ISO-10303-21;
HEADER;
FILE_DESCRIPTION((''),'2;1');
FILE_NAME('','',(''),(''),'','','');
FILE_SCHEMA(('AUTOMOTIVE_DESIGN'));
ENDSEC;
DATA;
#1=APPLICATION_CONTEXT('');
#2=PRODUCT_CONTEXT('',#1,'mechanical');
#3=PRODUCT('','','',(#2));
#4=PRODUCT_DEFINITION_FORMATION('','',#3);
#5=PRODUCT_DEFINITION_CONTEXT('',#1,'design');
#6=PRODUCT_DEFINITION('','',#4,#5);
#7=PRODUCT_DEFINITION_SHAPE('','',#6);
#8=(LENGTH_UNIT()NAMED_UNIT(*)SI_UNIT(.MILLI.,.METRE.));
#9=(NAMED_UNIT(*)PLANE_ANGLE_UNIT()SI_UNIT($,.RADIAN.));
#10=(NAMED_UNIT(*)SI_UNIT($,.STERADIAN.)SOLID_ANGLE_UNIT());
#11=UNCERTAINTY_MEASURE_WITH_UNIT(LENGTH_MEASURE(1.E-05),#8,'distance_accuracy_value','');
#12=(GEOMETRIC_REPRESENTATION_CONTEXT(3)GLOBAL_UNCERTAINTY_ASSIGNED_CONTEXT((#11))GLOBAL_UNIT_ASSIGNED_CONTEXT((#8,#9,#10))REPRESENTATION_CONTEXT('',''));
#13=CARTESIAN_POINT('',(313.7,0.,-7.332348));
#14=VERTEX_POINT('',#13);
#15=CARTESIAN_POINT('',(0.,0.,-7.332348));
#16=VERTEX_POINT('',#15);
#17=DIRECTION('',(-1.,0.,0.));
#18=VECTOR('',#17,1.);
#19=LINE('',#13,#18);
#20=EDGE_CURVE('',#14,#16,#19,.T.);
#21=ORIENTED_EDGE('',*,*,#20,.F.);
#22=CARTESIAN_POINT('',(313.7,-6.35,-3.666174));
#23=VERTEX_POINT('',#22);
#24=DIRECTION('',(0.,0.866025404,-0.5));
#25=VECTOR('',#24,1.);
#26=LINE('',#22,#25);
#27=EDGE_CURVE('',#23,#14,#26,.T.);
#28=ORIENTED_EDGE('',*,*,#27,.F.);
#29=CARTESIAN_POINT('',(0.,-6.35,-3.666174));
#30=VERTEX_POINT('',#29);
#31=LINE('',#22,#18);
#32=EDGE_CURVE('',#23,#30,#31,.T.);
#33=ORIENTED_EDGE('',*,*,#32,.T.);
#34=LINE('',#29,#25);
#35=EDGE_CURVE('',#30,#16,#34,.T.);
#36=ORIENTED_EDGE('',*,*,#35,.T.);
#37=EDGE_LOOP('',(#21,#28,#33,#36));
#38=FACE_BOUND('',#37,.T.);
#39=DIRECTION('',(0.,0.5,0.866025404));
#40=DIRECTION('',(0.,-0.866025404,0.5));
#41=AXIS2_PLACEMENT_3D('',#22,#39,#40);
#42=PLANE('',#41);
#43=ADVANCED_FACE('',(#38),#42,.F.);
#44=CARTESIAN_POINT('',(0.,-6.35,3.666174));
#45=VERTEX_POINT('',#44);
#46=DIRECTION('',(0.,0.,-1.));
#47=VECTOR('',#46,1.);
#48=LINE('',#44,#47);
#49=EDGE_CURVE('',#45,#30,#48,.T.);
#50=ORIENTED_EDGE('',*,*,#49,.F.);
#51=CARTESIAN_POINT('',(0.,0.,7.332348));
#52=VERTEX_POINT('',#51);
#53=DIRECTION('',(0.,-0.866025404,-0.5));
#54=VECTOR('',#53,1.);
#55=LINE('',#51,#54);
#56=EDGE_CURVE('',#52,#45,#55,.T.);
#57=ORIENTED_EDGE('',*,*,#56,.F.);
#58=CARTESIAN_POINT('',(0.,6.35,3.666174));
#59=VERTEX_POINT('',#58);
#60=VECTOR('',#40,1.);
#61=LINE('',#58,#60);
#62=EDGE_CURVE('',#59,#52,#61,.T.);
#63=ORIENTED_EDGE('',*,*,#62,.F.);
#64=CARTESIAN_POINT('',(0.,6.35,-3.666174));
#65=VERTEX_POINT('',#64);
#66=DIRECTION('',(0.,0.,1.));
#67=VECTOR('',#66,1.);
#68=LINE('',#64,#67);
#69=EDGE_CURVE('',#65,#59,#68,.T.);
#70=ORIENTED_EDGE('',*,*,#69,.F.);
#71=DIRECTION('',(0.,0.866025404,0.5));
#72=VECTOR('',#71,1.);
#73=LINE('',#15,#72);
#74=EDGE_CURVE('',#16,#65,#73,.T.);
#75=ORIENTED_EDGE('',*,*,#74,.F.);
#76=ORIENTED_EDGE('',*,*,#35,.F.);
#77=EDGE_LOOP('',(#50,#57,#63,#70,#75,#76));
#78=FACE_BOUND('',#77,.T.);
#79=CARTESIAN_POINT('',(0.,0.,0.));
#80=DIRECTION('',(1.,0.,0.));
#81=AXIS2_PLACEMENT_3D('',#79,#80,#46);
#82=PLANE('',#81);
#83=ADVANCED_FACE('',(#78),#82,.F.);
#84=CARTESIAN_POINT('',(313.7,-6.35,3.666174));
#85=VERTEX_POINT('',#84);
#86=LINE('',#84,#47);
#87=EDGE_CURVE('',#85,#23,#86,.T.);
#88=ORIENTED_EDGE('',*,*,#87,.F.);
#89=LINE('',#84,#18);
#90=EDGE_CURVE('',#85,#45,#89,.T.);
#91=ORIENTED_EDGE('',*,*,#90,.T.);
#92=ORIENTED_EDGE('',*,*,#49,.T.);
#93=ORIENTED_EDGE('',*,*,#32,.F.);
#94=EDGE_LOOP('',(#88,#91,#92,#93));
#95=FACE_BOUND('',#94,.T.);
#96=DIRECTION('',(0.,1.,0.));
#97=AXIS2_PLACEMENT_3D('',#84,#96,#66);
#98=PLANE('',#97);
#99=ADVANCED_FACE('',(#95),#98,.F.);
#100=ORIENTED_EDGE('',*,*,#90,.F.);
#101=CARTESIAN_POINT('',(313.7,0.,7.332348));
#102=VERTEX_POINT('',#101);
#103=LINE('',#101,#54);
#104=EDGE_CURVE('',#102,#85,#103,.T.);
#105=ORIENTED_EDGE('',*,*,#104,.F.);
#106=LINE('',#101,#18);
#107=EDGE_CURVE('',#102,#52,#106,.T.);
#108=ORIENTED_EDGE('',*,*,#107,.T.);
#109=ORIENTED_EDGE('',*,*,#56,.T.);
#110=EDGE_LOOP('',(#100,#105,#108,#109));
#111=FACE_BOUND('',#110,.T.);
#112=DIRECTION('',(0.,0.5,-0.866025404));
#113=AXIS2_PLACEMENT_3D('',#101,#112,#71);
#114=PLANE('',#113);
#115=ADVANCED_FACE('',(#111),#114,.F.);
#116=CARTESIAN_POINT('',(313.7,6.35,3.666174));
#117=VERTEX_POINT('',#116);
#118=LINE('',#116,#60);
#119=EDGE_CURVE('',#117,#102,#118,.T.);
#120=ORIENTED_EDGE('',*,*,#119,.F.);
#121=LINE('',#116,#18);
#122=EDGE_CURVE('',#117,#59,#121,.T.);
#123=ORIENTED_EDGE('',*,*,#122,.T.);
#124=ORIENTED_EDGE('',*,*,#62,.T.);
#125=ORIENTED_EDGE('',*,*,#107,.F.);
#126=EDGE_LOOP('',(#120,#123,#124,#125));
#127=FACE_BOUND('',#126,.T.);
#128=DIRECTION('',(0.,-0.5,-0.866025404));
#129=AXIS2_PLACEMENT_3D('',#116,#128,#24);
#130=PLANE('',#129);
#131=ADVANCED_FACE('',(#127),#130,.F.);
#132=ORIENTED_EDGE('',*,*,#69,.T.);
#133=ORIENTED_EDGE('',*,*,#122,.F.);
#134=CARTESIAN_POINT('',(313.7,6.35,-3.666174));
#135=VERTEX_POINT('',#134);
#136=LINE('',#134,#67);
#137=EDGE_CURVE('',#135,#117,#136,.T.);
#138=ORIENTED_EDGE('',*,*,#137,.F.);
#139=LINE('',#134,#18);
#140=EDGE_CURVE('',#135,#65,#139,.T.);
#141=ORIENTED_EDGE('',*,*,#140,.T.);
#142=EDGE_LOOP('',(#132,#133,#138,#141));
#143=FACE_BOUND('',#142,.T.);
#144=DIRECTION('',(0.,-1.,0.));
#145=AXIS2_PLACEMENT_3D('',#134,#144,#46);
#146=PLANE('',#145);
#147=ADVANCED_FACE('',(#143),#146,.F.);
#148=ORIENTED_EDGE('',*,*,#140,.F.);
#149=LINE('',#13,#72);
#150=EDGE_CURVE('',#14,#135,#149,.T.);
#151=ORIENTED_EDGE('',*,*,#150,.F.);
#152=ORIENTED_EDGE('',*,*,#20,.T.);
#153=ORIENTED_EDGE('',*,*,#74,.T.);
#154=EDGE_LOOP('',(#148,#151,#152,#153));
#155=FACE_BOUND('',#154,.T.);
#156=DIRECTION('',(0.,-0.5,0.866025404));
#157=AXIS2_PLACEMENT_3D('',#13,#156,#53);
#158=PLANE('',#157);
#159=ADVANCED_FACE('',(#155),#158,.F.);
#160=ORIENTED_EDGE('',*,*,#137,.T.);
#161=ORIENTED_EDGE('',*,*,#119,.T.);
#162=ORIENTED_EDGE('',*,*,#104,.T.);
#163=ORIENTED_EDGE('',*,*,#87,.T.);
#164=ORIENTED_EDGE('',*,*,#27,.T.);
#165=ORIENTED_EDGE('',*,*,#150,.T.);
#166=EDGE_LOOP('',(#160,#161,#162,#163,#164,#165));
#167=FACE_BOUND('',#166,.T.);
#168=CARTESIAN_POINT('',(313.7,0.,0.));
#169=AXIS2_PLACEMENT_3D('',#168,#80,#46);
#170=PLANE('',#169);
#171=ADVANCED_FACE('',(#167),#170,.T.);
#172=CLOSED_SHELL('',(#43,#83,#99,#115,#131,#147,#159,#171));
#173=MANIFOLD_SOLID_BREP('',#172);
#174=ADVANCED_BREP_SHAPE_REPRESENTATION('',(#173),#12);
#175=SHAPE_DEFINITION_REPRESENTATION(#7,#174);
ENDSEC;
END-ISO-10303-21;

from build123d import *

# Parameters (mm, degrees)
BOSS_EXTRUDE1_DEPTH = 313.7


with BuildPart() as part:
    # Sketch1 → Boss-Extrude1 (new body)
    with BuildSketch(Plane(origin=(0, 0, 0), x_dir=(0, 0, -1), z_dir=(1, 0, 0))):
        Polygon((7.332348419, 0), (3.666174209, 6.35), (-3.666174209, 6.35), (-7.332348419, 0), (-3.666174209, -6.35), (3.666174209, -6.35), align=None)
    extrude(amount=BOSS_EXTRUDE1_DEPTH)


solid = part.part
